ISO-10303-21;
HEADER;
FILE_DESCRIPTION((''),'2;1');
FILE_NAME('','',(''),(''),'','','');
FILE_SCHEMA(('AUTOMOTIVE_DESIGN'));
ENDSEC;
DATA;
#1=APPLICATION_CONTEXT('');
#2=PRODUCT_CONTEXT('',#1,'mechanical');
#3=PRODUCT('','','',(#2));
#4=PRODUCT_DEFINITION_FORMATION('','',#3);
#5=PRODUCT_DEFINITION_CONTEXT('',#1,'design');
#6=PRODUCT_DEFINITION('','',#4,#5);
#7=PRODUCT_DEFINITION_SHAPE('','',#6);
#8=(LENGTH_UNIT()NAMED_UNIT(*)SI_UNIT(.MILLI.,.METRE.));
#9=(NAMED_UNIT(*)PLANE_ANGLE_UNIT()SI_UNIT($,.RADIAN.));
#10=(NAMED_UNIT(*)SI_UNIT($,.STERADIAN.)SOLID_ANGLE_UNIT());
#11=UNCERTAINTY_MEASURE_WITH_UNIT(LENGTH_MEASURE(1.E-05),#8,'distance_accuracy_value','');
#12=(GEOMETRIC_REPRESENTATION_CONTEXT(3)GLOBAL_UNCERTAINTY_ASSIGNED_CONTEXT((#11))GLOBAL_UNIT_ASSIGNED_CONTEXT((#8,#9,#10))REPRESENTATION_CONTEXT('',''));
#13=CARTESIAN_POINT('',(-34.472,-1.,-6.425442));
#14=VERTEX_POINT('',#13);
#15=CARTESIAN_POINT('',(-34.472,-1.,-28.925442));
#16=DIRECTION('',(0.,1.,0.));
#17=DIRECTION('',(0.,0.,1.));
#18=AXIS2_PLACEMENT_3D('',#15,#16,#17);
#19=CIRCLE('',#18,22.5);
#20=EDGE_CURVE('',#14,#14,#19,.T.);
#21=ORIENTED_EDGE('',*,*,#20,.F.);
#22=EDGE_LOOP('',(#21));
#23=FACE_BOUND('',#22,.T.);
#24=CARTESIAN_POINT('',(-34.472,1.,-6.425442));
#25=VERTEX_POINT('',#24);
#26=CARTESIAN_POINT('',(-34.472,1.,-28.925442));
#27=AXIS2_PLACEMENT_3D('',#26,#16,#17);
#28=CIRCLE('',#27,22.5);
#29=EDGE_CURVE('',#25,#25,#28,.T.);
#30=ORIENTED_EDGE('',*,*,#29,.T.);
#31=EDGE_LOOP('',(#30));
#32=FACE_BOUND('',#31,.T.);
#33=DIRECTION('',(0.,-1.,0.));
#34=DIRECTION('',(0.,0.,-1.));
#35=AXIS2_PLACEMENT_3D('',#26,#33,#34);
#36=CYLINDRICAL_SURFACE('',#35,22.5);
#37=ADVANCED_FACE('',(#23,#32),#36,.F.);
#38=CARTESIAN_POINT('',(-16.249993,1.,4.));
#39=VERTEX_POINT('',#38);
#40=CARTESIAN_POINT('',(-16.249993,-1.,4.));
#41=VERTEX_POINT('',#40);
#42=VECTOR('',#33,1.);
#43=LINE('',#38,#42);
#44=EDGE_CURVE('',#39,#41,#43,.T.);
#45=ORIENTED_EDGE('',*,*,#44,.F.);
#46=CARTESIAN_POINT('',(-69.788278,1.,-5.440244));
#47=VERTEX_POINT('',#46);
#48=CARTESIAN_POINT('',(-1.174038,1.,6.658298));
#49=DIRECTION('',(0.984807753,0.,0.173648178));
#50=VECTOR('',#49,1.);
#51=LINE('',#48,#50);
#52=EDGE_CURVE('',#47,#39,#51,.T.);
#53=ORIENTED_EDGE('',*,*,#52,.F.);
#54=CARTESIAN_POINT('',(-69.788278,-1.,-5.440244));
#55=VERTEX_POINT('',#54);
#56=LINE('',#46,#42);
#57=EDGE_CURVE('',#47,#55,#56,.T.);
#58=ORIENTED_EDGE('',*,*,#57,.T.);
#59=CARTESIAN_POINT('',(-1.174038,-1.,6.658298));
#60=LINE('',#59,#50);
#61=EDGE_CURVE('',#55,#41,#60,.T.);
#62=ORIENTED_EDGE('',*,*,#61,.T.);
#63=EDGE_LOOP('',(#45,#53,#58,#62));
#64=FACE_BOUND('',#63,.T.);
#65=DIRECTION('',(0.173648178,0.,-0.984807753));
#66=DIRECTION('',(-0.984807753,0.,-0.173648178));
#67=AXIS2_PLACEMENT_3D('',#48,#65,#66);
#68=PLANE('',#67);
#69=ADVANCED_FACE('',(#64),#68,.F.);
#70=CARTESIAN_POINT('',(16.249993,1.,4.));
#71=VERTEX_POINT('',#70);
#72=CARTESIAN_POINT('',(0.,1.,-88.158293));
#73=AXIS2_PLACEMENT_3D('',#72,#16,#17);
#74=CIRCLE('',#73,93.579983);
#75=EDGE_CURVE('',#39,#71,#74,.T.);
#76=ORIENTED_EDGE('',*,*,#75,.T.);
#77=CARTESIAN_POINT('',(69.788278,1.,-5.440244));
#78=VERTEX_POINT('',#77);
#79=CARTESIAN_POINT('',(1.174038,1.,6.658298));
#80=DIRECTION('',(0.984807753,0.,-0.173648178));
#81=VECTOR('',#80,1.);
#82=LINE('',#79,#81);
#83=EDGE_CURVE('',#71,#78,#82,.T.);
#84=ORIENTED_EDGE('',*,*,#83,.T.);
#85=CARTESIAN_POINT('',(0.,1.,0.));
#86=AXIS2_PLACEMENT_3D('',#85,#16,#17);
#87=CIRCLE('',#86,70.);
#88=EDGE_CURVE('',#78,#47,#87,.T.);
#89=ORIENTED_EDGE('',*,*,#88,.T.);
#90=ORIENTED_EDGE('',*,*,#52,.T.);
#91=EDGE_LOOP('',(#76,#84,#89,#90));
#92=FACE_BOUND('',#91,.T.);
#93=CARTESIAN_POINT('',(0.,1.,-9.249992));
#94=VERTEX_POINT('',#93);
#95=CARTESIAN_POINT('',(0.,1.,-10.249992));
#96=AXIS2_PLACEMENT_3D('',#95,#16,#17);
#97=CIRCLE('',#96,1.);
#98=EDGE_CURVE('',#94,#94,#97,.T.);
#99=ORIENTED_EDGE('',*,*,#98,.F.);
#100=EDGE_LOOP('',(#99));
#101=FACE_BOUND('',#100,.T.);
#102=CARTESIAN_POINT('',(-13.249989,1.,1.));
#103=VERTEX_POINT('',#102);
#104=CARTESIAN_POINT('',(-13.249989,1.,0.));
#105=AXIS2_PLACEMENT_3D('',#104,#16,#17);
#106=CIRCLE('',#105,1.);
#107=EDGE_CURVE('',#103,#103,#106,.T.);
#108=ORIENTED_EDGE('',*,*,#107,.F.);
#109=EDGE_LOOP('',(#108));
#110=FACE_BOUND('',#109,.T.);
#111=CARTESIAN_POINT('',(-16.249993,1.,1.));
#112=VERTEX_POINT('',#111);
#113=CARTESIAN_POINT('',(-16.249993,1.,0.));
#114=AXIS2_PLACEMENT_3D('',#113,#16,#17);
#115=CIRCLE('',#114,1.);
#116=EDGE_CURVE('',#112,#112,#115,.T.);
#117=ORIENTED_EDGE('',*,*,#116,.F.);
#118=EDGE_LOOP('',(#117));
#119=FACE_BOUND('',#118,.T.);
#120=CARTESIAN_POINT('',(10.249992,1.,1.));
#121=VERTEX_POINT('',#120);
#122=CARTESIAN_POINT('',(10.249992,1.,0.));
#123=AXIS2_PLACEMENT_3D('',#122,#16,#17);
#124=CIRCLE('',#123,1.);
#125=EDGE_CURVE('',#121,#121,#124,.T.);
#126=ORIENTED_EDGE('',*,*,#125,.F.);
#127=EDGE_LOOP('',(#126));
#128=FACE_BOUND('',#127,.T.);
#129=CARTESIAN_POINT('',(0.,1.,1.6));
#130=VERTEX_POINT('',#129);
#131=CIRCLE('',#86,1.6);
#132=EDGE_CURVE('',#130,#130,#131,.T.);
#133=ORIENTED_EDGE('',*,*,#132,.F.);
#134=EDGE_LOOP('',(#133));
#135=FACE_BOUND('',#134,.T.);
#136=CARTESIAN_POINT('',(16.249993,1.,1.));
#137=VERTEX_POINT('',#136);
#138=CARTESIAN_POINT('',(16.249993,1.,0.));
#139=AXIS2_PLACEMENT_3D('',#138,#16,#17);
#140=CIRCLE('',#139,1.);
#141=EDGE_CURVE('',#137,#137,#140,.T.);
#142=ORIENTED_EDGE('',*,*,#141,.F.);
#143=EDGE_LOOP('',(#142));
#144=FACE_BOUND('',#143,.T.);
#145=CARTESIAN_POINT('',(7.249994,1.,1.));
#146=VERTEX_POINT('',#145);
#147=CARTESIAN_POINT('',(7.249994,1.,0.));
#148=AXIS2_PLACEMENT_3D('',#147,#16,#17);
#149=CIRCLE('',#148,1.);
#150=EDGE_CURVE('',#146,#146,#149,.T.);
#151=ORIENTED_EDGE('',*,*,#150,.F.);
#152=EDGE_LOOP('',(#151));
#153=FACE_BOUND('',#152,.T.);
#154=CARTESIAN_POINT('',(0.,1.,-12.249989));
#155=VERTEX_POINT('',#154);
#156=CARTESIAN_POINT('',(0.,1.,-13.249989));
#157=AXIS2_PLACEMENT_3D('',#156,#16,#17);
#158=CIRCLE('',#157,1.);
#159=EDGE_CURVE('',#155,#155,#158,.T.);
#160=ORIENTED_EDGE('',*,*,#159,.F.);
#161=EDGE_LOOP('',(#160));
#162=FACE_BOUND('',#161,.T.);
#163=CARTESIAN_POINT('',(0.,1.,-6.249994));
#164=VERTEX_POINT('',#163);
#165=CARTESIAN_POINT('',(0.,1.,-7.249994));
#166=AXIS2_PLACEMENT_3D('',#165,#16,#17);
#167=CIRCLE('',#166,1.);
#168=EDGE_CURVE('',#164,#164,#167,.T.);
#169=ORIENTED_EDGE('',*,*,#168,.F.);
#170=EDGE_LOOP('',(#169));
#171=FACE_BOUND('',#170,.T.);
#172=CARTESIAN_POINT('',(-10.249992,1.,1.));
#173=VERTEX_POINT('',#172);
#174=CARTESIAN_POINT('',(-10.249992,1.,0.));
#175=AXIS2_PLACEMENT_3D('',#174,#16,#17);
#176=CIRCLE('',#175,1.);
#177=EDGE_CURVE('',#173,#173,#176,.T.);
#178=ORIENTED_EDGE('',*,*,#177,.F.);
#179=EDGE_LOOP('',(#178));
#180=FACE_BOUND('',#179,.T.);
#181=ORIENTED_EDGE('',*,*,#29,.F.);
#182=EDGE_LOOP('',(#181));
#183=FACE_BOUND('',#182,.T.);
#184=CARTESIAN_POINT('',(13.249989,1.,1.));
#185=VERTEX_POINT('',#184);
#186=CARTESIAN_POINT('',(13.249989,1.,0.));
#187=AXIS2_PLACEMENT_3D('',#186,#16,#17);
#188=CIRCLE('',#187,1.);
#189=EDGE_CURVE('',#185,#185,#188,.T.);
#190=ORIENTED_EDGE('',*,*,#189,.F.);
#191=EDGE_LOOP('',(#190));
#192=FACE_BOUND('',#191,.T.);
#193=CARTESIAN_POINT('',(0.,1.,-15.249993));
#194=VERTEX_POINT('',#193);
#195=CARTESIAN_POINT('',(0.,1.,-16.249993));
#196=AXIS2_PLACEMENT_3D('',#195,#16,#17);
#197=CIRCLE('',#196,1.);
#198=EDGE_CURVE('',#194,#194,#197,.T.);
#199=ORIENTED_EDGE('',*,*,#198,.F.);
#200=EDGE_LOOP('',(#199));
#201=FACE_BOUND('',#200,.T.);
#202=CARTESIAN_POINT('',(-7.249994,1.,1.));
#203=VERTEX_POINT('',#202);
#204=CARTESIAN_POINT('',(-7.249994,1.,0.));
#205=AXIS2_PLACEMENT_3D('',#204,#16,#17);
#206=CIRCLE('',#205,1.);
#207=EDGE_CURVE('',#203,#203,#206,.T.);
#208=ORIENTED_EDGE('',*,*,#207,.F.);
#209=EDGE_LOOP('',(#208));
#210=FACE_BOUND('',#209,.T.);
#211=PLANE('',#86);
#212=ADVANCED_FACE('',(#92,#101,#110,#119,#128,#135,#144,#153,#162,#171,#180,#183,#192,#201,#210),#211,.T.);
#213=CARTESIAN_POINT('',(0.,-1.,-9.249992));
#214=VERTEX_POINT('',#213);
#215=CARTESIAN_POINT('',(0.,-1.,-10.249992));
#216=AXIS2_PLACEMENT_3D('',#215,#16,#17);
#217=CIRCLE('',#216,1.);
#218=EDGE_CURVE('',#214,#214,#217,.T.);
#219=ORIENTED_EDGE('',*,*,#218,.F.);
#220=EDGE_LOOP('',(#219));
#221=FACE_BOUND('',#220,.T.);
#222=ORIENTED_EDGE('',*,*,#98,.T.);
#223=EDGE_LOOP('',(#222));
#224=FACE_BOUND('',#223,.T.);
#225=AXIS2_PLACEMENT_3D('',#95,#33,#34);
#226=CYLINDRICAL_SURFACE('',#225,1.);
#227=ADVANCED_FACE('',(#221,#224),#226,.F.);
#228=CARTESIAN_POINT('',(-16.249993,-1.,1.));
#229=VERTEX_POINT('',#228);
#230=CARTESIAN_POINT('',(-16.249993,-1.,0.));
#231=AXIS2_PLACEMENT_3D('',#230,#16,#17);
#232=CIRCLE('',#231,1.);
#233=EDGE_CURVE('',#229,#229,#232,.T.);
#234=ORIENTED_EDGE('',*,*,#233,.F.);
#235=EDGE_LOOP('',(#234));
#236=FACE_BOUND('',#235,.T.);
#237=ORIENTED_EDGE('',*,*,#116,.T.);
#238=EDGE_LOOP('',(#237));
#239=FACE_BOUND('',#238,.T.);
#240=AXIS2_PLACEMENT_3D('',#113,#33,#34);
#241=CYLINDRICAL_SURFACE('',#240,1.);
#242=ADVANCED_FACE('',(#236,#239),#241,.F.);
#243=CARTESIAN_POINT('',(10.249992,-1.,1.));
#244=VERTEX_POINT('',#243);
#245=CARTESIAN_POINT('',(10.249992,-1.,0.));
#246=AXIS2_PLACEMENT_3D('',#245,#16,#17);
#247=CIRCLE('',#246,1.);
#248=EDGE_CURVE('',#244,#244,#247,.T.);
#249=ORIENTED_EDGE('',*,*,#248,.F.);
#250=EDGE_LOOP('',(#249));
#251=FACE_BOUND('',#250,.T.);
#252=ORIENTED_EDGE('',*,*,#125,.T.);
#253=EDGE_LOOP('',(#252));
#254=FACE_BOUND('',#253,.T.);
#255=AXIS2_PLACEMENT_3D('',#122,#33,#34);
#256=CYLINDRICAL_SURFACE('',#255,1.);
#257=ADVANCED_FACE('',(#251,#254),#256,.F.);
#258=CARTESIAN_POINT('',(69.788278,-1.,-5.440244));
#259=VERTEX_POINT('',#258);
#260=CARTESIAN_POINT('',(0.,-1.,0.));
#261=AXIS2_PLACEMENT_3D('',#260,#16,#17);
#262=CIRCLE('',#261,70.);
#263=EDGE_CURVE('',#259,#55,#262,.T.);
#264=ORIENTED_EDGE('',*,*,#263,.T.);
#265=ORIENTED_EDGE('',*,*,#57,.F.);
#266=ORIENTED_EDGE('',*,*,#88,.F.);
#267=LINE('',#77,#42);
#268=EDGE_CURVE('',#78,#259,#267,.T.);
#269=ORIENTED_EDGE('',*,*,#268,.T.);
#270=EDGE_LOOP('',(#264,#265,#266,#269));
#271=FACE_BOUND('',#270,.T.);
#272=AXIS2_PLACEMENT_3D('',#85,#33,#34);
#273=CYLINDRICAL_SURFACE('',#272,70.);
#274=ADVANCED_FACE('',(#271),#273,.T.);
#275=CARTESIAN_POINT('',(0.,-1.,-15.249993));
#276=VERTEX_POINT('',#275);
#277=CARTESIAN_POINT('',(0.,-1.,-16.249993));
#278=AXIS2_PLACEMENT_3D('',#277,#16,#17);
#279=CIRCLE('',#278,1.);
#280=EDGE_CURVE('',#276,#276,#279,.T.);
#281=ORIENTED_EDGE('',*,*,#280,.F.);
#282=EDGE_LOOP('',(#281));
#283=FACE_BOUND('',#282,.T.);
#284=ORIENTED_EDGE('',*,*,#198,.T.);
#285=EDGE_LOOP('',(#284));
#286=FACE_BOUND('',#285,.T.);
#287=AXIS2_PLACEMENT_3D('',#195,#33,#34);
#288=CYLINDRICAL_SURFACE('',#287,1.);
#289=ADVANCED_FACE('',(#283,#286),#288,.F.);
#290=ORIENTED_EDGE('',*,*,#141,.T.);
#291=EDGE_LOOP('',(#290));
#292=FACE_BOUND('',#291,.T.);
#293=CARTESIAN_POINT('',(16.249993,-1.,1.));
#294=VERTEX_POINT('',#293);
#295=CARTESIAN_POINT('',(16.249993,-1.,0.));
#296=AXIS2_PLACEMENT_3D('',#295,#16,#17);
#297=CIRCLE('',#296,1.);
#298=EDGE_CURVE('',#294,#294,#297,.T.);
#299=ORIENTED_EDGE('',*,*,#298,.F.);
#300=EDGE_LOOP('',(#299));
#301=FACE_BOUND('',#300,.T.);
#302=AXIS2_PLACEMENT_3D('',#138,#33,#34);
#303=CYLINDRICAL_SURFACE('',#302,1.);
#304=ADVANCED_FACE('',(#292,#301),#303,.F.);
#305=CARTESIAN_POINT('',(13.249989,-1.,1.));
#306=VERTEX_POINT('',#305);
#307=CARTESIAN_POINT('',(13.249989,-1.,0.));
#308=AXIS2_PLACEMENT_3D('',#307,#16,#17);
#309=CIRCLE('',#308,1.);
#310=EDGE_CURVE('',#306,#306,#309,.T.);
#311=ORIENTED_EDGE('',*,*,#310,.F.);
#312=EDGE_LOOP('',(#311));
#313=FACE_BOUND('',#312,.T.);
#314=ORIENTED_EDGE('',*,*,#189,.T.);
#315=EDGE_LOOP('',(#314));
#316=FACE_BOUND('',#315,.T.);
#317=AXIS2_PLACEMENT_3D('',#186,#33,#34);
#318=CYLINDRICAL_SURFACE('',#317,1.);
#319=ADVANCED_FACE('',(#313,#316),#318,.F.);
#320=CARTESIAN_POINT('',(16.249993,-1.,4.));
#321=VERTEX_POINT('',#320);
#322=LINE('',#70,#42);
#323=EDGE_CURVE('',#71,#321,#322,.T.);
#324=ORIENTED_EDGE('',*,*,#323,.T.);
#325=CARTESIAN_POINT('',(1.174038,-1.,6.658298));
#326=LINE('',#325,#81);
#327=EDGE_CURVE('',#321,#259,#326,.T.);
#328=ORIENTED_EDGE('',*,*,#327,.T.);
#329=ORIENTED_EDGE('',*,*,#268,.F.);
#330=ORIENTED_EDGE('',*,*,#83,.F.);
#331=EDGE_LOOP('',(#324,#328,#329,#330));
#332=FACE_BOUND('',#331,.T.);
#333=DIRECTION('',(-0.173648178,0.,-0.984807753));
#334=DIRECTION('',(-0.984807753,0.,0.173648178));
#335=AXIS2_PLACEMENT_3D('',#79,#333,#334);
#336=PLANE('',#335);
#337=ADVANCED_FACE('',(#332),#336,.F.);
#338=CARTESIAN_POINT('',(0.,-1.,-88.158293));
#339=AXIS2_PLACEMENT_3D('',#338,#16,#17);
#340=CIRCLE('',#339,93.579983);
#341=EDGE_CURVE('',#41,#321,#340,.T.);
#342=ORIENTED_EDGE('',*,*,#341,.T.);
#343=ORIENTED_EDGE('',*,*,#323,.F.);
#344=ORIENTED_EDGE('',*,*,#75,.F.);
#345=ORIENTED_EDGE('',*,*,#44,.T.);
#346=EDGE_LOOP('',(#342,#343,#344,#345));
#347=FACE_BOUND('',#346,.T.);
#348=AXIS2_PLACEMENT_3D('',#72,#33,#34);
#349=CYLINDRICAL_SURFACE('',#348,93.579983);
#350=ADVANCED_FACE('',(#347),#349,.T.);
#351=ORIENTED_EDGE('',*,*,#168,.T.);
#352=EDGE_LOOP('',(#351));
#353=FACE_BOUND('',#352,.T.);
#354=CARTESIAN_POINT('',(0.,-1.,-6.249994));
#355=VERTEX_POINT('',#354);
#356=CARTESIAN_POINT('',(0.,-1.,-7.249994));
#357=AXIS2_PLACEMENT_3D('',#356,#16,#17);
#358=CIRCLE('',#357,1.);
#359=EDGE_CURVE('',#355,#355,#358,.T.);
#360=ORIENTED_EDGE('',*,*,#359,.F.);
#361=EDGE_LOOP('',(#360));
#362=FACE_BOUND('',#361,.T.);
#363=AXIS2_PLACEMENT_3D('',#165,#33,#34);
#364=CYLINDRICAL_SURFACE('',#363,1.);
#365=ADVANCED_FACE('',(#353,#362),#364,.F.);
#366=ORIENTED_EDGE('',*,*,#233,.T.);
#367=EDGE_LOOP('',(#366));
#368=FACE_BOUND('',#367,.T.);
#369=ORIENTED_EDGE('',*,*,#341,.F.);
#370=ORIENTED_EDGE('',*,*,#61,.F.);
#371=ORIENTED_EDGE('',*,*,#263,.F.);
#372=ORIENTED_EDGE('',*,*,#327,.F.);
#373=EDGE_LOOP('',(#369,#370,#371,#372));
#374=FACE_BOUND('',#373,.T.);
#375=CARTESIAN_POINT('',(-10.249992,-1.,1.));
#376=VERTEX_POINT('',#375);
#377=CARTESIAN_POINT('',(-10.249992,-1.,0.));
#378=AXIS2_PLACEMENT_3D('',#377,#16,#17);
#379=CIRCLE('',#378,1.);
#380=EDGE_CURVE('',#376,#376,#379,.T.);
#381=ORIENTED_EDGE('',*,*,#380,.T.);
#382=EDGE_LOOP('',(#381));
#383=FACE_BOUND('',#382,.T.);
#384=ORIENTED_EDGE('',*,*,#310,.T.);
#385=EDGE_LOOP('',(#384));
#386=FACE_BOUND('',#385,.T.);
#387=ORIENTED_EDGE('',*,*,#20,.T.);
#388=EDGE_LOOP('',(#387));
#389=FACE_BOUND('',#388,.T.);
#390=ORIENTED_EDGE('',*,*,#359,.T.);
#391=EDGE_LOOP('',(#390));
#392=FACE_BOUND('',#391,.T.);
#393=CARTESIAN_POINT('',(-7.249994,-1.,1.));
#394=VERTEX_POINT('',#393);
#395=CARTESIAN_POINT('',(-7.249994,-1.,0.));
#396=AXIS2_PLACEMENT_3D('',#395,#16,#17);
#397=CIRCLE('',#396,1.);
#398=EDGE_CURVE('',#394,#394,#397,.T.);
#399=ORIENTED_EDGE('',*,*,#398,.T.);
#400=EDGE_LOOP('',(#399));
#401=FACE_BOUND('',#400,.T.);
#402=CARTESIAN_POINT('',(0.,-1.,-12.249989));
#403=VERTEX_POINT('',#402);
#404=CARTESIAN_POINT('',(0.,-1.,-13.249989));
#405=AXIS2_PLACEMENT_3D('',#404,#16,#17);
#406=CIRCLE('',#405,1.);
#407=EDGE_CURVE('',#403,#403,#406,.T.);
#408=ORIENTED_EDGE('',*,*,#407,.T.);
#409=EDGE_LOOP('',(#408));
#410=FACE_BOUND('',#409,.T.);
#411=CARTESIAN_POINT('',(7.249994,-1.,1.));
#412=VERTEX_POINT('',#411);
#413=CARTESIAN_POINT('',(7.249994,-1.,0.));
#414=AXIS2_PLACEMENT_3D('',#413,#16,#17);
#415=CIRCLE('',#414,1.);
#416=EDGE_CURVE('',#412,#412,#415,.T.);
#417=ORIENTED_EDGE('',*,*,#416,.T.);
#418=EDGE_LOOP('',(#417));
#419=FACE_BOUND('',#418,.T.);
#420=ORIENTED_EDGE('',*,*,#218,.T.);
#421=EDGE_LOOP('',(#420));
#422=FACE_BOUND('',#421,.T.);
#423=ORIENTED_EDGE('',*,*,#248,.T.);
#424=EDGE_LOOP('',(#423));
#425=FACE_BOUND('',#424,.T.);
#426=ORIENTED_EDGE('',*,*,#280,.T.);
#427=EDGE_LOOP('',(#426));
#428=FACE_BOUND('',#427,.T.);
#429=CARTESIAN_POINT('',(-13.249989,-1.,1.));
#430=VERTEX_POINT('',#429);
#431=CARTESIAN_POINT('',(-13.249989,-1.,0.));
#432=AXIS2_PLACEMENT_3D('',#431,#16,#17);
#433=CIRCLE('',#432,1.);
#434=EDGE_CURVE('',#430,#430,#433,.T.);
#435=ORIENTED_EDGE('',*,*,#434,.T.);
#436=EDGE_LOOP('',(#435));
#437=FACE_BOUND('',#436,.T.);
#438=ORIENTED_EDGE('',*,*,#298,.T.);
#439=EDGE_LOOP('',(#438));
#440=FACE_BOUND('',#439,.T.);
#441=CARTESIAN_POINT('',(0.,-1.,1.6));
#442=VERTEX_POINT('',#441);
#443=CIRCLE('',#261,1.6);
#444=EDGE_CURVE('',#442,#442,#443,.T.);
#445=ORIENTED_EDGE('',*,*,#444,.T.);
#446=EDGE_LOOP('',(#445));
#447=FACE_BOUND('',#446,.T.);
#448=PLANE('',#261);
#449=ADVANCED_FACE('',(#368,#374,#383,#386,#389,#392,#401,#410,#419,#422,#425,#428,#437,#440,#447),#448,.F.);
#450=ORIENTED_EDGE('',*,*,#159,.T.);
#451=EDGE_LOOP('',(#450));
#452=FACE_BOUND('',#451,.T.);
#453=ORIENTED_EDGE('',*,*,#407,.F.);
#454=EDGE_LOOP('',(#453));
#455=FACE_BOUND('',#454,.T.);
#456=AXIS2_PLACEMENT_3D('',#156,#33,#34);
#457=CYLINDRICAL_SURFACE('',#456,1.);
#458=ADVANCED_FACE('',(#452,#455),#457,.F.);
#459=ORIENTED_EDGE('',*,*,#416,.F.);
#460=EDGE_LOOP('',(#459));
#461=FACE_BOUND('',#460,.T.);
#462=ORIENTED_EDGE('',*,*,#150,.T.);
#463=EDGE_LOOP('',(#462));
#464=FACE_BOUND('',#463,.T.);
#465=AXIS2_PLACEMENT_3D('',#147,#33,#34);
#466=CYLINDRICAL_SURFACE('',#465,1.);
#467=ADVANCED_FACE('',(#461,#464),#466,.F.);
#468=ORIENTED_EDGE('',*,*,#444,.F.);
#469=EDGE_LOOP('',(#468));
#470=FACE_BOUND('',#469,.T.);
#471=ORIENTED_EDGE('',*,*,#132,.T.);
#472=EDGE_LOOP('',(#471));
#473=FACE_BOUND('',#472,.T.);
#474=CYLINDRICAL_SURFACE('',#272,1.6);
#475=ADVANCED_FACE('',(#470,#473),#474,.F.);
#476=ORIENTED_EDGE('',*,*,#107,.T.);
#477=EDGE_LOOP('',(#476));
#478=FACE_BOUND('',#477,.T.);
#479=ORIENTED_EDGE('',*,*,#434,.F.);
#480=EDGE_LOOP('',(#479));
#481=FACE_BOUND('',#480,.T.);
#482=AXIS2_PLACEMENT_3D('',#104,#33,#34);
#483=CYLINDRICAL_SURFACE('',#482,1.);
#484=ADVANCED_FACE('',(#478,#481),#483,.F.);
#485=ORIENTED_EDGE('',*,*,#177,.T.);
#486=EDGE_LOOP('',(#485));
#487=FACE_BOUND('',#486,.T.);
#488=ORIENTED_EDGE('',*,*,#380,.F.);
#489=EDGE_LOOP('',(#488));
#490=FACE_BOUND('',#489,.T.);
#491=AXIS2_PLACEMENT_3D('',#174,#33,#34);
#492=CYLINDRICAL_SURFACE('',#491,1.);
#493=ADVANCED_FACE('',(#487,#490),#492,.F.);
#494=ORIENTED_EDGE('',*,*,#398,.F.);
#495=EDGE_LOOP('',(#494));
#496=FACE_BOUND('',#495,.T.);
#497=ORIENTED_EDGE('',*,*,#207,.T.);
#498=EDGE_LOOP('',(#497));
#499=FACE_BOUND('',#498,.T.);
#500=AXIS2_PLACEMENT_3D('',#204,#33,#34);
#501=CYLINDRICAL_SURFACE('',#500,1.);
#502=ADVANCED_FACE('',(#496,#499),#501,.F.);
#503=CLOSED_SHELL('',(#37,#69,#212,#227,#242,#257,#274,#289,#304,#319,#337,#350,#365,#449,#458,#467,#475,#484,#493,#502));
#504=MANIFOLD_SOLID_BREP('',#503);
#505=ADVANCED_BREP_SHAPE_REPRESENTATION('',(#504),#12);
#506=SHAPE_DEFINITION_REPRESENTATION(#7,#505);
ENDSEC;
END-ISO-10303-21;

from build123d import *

# Parameters (mm, degrees)
SKETCH_1_R      = 1
SKETCH_1_R_2    = 1.6
SKETCH_1_R_3    = 22.5
EXTRUDE_1_DEPTH = 1


with BuildPart() as part:
    # 草圖1 → 填料-伸長1 (new, symmetric)
    with BuildSketch(Plane(origin=(0, 0, 0), x_dir=(1, 0, 0), z_dir=(0, 1, 0))):
        with BuildLine():
            Line((-69.788277988, 5.440244057), (-16.249993495, -4))
            ThreePointArc((-16.249993495, -4), (0, -5.421690213), (16.249993495, -4))
            Line((16.249993495, -4), (69.788277988, 5.440244057))
            ThreePointArc((69.788277988, 5.440244057), (0, 70), (-69.788277988, 5.440244057))
        make_face()
        with Locations(Location((16.249993495, 0, 0), (0, 0, 270))):
            Circle(SKETCH_1_R, mode=Mode.SUBTRACT)
        with Locations(Location((13.249989391, 0, 0), (0, 0, 270))):
            Circle(SKETCH_1_R, mode=Mode.SUBTRACT)
        with Locations(Location((10.249991793, 0, 0), (0, 0, 270))):
            Circle(SKETCH_1_R, mode=Mode.SUBTRACT)
        with Locations(Location((7.249994195, 0, 0), (0, 0, 270))):
            Circle(SKETCH_1_R, mode=Mode.SUBTRACT)
        with Locations(Location((-16.249993495, 0, 0), (0, 0, 270))):
            Circle(SKETCH_1_R, mode=Mode.SUBTRACT)
        with Locations(Location((-13.249989391, 0, 0), (0, 0, 270))):
            Circle(SKETCH_1_R, mode=Mode.SUBTRACT)
        with Locations(Location((-10.249991793, 0, 0), (0, 0, 270))):
            Circle(SKETCH_1_R, mode=Mode.SUBTRACT)
        with Locations(Location((-7.249994195, 0, 0), (0, 0, 270))):
            Circle(SKETCH_1_R, mode=Mode.SUBTRACT)
        with Locations(Location((0, 16.249993495, 0), (0, 0, 270))):
            Circle(SKETCH_1_R, mode=Mode.SUBTRACT)
        with Locations(Location((0, 13.249989391, 0), (0, 0, 270))):
            Circle(SKETCH_1_R, mode=Mode.SUBTRACT)
        with Locations(Location((0, 10.249991793, 0), (0, 0, 270))):
            Circle(SKETCH_1_R, mode=Mode.SUBTRACT)
        with Locations(Location((0, 7.249994195, 0), (0, 0, 270))):
            Circle(SKETCH_1_R, mode=Mode.SUBTRACT)
        with Locations(Location((0, 0, 0), (0, 0, 270))):
            Circle(SKETCH_1_R_2, mode=Mode.SUBTRACT)
        with Locations(Location((-34.47199994, 28.925442436, 0), (0, 0, 270))):
            Circle(SKETCH_1_R_3, mode=Mode.SUBTRACT)
    extrude(amount=EXTRUDE_1_DEPTH, both=True)


solid = part.part
